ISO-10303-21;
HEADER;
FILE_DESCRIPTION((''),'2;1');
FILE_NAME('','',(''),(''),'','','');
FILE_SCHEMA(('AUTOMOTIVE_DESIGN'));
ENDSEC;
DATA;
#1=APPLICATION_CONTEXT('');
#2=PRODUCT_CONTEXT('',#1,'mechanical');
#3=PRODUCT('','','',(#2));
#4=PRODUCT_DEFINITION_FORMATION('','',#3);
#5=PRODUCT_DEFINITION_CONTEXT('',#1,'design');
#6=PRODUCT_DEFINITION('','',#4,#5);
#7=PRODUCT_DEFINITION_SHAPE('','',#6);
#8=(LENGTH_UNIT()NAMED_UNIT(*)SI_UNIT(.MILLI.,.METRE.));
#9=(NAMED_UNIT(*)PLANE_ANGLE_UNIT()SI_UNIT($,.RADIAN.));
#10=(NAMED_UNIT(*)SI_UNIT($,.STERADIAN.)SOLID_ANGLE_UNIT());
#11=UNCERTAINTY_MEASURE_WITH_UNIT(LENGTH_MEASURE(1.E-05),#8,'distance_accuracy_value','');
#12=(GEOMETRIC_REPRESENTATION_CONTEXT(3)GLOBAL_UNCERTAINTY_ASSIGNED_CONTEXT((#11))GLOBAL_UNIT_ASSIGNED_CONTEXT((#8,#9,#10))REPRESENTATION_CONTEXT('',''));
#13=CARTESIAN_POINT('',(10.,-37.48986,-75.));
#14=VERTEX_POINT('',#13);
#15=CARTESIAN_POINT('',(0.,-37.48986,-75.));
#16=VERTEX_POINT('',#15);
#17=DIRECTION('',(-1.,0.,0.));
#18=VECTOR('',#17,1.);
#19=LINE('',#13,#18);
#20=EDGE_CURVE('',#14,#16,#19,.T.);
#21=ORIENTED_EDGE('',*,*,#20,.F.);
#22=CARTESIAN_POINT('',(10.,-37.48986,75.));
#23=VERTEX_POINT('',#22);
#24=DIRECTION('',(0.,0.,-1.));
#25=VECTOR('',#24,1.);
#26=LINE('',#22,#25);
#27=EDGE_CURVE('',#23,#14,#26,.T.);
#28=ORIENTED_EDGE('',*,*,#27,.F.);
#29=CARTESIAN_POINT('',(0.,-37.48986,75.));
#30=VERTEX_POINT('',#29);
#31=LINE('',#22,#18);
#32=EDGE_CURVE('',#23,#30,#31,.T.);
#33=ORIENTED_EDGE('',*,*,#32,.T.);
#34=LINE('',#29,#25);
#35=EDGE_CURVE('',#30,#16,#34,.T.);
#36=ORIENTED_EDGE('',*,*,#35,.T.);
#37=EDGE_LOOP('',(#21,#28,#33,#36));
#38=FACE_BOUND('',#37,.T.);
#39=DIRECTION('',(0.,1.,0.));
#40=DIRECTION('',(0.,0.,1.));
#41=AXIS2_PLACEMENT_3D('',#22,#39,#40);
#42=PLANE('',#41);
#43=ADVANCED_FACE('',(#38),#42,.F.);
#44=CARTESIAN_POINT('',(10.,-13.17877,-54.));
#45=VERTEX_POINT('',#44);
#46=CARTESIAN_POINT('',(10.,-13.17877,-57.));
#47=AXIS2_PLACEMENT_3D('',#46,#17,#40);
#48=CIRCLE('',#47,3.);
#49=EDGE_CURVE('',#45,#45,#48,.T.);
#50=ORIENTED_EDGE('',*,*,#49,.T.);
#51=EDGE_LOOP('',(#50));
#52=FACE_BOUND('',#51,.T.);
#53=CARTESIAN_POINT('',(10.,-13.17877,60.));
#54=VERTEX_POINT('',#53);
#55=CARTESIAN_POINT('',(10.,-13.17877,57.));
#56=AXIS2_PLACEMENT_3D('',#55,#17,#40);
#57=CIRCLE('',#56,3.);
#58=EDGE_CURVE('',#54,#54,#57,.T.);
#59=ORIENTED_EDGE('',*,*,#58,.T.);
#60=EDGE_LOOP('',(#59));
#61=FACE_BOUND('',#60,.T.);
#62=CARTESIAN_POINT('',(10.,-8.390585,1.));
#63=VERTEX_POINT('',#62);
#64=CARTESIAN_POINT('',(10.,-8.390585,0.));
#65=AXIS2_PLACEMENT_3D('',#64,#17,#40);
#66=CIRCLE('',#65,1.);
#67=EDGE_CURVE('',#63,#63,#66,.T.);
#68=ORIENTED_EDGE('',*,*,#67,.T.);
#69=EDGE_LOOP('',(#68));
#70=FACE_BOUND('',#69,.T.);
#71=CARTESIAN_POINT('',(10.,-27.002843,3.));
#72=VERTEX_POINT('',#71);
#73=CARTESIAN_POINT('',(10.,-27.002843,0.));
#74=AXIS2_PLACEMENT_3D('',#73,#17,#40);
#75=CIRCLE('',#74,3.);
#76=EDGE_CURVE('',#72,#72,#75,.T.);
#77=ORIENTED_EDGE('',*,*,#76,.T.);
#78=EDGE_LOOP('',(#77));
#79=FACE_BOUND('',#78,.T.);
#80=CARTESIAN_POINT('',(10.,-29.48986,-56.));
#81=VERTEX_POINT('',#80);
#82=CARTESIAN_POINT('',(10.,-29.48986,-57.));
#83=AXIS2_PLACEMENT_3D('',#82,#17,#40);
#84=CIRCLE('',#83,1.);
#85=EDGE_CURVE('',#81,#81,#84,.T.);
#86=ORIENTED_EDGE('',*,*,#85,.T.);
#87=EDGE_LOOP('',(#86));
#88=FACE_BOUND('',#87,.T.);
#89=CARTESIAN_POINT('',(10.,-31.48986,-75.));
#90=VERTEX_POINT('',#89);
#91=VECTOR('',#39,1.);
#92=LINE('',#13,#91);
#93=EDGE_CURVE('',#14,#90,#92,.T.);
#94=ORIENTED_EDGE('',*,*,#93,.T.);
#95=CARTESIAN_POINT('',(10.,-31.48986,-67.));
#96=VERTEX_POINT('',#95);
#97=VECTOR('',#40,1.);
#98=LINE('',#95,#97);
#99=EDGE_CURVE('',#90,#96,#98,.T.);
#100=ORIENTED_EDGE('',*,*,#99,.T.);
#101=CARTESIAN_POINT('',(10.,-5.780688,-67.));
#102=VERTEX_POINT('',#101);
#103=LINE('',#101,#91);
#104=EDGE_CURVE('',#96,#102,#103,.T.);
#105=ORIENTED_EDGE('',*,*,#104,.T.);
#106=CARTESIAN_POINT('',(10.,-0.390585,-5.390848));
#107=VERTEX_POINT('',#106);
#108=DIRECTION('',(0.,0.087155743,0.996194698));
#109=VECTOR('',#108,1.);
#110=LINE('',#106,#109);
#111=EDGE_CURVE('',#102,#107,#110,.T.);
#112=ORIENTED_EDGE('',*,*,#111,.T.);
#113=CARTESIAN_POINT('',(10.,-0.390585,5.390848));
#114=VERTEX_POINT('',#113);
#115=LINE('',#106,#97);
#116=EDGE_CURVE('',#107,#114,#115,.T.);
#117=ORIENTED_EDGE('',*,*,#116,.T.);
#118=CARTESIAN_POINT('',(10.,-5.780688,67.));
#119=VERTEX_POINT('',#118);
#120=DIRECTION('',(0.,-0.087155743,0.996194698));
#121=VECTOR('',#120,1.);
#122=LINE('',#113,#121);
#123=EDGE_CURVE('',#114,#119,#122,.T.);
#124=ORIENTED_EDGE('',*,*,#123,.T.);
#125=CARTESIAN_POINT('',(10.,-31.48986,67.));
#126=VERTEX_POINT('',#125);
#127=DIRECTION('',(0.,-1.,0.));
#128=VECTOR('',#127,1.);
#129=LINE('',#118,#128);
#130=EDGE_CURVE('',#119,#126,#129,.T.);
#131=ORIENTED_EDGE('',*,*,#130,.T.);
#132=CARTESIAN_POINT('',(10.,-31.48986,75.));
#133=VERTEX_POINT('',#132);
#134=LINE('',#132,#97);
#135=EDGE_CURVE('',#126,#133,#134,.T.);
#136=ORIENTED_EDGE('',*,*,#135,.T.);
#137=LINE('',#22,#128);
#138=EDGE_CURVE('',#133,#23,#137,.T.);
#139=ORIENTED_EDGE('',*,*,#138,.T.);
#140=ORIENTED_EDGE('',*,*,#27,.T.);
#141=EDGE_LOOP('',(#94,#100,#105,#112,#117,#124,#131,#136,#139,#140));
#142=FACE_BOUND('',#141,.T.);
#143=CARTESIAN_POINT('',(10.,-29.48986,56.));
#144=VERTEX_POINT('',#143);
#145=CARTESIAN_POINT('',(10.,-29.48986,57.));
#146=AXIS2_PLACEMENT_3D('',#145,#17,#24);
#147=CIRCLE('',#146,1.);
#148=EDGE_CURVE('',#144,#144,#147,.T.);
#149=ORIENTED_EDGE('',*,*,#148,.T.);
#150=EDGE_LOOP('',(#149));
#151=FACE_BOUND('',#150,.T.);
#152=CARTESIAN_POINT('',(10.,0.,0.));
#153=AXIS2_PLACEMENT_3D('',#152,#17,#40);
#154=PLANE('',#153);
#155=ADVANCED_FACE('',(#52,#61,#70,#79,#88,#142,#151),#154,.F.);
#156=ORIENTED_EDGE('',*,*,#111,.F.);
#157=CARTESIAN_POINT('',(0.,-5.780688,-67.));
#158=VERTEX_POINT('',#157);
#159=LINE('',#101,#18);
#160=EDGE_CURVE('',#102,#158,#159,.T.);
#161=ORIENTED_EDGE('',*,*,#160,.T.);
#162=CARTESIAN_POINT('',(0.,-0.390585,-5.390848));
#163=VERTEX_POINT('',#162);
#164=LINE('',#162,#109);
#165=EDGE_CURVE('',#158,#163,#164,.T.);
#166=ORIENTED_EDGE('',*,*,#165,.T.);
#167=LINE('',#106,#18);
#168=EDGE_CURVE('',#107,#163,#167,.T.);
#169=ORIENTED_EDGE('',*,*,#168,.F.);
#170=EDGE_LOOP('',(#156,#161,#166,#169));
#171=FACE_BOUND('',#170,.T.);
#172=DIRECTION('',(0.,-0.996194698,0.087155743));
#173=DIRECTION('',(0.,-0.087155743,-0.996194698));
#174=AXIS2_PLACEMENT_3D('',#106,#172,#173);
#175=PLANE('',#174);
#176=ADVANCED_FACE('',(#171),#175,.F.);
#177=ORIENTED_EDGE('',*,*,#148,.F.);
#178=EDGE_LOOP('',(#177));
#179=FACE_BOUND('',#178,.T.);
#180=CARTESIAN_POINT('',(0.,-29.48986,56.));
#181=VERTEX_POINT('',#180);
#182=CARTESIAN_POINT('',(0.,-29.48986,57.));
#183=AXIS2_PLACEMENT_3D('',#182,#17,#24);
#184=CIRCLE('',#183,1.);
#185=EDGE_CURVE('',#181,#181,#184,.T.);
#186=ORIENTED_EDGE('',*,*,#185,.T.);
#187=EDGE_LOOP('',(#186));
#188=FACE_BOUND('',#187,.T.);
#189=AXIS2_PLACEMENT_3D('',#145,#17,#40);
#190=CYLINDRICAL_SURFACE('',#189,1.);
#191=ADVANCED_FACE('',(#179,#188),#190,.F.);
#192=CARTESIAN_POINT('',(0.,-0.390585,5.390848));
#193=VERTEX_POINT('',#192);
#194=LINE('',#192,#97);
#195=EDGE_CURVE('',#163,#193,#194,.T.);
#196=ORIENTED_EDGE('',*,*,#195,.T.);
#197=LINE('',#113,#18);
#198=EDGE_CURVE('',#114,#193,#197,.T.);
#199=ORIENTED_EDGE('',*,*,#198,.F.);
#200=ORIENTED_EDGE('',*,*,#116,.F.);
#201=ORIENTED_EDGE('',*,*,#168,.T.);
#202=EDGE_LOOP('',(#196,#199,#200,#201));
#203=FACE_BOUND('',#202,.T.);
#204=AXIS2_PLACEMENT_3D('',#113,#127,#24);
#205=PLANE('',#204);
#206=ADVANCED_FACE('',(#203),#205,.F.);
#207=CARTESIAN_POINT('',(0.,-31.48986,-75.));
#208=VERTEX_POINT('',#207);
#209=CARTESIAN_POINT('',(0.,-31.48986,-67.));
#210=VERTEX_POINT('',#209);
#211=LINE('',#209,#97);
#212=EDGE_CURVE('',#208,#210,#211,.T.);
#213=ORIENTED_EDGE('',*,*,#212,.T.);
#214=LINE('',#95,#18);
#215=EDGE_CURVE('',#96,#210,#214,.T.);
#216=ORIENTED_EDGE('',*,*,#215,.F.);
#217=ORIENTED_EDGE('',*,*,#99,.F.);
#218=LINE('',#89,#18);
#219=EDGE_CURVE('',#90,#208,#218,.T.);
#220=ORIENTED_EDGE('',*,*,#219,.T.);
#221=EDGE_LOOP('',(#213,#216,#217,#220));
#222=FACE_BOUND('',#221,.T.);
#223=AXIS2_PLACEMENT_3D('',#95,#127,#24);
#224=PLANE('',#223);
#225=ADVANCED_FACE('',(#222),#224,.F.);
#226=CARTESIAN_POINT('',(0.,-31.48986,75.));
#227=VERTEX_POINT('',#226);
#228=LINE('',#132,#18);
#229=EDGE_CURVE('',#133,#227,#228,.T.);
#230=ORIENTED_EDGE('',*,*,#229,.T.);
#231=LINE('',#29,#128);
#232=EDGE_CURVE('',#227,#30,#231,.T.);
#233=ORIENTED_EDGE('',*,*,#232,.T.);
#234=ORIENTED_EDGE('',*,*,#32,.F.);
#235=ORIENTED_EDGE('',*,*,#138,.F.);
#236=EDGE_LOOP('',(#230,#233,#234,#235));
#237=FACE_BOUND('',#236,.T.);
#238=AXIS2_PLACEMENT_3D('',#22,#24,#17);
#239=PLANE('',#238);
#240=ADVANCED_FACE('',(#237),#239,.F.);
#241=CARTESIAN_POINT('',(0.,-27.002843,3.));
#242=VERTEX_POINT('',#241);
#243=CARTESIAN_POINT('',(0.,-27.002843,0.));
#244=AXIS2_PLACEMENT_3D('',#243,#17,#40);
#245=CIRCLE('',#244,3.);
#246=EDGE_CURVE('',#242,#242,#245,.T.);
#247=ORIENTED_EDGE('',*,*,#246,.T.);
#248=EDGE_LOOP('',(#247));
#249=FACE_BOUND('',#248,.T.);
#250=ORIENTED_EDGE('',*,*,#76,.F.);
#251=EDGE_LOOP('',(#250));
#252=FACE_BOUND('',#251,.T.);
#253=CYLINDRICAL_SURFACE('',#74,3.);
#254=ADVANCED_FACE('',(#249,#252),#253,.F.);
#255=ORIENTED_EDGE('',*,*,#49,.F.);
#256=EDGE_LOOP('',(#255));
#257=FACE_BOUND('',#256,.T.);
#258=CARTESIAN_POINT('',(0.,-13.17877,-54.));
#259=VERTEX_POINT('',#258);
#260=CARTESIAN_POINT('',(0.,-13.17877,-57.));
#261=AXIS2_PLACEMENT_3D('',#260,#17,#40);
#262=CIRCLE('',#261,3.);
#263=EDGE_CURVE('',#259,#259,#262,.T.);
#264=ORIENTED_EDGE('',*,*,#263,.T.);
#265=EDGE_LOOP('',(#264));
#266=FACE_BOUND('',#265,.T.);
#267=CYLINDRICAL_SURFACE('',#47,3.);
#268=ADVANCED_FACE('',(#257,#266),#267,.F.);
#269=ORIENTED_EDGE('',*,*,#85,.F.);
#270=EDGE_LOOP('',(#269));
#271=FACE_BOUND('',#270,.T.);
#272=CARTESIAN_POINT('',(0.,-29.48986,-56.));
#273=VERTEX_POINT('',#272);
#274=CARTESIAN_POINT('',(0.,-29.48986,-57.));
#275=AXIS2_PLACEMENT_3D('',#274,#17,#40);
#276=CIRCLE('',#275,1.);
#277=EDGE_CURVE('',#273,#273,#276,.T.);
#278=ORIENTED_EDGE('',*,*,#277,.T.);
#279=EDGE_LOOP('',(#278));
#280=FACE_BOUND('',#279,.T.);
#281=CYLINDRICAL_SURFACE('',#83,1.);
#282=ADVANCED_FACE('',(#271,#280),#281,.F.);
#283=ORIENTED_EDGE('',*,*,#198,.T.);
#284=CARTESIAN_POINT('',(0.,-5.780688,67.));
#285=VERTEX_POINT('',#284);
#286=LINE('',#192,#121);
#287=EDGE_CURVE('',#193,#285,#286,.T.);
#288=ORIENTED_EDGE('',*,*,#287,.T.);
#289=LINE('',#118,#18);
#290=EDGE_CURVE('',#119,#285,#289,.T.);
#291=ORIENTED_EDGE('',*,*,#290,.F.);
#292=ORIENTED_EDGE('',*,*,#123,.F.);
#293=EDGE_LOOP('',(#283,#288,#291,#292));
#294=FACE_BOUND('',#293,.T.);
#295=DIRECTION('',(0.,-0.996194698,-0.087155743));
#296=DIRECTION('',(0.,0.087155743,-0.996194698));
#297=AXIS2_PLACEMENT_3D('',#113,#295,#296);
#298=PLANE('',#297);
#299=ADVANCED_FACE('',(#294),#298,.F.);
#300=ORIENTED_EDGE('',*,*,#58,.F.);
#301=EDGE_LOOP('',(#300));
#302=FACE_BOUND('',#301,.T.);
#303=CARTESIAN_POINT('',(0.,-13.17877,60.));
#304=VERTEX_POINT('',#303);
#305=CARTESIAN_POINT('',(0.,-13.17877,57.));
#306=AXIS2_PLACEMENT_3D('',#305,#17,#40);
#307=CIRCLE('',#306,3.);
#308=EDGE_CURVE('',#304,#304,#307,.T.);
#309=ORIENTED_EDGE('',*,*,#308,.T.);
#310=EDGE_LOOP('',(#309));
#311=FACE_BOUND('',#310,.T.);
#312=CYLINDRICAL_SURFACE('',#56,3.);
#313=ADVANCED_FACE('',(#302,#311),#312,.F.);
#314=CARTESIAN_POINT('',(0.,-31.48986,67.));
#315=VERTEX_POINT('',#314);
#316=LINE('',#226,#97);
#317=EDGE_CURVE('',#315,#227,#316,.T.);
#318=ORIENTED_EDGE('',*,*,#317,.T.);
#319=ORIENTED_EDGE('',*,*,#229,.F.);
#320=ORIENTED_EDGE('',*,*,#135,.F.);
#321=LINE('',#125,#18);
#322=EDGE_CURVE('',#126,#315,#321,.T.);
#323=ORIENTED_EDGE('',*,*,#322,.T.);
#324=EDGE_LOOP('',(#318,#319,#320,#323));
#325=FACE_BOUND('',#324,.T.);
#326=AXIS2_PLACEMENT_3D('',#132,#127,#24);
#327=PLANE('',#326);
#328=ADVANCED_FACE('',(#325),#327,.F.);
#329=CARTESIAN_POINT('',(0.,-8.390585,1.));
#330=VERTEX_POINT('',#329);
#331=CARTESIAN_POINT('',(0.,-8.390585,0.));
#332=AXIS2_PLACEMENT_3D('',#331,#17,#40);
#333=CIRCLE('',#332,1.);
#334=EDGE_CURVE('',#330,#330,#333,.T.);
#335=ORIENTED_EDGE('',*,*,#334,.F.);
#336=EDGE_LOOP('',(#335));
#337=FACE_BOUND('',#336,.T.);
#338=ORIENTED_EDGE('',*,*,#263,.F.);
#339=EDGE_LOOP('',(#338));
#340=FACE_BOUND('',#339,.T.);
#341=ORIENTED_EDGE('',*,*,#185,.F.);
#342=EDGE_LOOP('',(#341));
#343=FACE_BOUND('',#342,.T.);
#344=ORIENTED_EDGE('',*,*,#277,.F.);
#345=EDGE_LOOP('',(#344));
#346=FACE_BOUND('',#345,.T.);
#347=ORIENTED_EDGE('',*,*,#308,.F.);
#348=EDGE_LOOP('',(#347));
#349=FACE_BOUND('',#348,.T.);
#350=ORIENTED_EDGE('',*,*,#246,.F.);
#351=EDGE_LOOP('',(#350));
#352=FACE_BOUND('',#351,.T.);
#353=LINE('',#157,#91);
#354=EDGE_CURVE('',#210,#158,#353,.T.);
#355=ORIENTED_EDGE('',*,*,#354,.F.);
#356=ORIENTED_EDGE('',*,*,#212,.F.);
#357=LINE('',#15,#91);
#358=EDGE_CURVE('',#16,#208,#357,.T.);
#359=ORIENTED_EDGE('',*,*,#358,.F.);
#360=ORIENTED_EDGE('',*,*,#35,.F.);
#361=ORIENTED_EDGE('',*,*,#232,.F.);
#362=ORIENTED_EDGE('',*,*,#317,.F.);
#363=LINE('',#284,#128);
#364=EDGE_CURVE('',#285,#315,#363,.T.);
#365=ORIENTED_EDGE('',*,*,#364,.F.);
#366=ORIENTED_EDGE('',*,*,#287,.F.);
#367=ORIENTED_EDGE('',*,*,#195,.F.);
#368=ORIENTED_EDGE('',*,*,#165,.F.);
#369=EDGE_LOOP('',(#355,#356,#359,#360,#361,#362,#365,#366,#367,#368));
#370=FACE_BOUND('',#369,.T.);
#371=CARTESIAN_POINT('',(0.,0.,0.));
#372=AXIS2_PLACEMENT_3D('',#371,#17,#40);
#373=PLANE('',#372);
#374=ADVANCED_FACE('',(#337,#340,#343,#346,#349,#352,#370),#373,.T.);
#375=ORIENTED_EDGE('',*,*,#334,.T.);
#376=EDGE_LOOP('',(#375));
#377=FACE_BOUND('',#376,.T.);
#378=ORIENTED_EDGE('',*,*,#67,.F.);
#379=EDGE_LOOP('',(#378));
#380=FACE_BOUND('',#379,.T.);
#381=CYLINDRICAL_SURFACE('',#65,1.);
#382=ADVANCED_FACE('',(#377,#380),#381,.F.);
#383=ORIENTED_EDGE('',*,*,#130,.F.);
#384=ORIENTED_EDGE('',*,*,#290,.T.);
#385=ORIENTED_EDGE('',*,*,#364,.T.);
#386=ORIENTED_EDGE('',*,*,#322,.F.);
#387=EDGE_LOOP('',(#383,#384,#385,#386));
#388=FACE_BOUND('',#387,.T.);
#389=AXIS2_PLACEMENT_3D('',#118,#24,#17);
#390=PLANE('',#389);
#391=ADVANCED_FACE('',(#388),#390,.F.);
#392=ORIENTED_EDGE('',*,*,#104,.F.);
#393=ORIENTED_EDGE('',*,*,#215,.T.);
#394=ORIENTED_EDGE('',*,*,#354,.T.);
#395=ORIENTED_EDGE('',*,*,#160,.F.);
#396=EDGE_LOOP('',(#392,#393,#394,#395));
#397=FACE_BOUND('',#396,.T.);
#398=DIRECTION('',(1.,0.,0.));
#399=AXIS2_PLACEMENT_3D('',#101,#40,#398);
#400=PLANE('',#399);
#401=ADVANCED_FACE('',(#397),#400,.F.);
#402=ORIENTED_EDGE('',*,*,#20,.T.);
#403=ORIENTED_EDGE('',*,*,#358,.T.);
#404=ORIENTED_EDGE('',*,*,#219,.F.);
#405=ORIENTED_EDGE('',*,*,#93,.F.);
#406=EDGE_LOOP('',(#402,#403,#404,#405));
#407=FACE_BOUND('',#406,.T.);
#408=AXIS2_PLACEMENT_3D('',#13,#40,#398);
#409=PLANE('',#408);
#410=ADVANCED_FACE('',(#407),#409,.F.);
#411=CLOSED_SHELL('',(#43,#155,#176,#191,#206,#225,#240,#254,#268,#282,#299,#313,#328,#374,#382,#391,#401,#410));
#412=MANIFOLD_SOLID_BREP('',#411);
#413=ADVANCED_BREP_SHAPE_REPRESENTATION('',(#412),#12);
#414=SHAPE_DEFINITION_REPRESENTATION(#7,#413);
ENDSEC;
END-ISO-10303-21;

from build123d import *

# Parameters (mm, degrees)
RESSALTO_EXTRUS_O2_DEPTH = 10
SKETCH1_R                = 1
SKETCH1_R_2              = 3
CUT_EXTRUDE1_DEPTH       = 85.442226256


with BuildPart() as part:
    # Esboço2 → Ressalto-extrusão2 (new body)
    with BuildSketch(Plane(origin=(0, 0, 0), x_dir=(0, 0, -1), z_dir=(1, 0, 0))):
        Polygon((67, -31.48985963), (75, -31.48985963), (75, -37.48985963), (-75, -37.48985963), (-75, -31.48985963), (-67, -31.48985963), (-67, -5.780687565), (-5.390847643, -0.390585164), (0, -0.390585164), (5.390847643, -0.390585164), (67, -5.780687565), align=None)
    extrude(amount=RESSALTO_EXTRUS_O2_DEPTH)

    # Sketch1 → Cut-Extrude1 (cut, through all)
    with BuildSketch(Plane.ZY):
        with Locations((-57, -29.48985963)):
            Circle(SKETCH1_R)
        with Locations(Location((57, -29.48985963, 0), (0, 0, 180))):
            Circle(SKETCH1_R)
        with Locations((0, -8.390585164)):
            Circle(SKETCH1_R)
        with Locations((0, -27.002843351)):
            Circle(SKETCH1_R_2)
        with Locations((-57, -13.178770397)):
            Circle(SKETCH1_R_2)
        with Locations((57, -13.178770397)):
            Circle(SKETCH1_R_2)
    extrude(amount=-CUT_EXTRUDE1_DEPTH, mode=Mode.SUBTRACT)


solid = part.part
